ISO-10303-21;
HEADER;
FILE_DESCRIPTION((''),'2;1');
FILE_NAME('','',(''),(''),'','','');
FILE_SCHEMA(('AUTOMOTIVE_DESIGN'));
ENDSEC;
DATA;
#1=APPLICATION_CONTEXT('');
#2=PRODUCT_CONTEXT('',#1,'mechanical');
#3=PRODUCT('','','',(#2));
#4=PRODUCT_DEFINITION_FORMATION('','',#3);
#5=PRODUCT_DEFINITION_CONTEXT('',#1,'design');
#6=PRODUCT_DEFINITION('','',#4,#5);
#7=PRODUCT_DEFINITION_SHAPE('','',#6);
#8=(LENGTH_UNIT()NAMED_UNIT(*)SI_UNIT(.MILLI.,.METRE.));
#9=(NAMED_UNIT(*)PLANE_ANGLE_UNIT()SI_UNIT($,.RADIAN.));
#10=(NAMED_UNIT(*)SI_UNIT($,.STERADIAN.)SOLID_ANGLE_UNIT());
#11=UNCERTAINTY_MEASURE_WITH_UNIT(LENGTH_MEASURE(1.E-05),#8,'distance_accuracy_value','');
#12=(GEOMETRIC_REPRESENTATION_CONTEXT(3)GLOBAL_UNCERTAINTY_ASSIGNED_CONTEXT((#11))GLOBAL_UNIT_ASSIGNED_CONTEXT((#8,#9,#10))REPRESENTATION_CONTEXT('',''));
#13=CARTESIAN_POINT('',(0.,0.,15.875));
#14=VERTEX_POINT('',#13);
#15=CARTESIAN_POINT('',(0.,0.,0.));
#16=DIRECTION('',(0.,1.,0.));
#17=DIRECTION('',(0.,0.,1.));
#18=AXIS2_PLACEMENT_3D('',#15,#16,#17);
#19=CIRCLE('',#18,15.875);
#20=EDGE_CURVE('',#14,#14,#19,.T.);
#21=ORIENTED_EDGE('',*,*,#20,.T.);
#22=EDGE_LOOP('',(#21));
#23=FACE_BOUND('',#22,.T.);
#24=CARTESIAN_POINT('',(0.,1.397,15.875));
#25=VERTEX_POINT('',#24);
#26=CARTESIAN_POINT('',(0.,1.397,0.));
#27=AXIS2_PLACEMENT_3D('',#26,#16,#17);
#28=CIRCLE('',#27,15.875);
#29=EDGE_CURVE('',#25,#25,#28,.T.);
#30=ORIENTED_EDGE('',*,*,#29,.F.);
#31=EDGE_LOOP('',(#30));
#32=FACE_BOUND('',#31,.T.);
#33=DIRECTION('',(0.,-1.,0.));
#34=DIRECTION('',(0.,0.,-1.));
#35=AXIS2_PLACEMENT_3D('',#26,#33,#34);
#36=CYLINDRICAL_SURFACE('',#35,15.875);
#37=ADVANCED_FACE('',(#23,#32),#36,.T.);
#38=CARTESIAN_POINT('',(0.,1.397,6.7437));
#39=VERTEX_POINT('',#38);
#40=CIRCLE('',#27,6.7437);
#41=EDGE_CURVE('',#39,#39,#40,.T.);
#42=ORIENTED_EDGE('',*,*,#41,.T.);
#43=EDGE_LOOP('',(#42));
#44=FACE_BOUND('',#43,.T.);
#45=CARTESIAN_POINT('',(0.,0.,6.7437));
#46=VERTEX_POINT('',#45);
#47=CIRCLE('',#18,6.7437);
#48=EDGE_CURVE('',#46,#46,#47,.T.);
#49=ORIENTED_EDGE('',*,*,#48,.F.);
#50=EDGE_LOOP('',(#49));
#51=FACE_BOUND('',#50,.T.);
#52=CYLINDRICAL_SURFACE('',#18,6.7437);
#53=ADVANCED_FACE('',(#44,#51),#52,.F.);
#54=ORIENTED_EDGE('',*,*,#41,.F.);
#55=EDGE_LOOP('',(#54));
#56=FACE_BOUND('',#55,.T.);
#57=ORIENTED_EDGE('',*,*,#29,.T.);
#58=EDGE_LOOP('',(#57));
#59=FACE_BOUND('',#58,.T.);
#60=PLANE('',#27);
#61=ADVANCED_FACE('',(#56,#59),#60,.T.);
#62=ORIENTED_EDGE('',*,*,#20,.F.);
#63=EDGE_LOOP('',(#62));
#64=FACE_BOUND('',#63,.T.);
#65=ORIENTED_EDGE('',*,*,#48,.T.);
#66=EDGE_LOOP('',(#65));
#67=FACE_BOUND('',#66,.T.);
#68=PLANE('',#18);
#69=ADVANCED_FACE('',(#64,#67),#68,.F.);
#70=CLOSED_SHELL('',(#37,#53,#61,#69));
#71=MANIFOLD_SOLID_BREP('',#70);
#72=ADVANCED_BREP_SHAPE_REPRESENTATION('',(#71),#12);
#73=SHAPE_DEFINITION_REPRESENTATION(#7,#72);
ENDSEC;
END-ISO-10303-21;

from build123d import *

# Parameters (mm, degrees)
SKETCH1_R           = 15.875
BOSS_EXTRUDE1_DEPTH = 1.397
SKETCH5_R           = 6.7437
CUT_EXTRUDE1_DEPTH  = 2.397


with BuildPart() as part:
    # Sketch1 → Boss-Extrude1 (new body)
    with BuildSketch(Plane(origin=(0, 0, 0), x_dir=(1, 0, 0), z_dir=(0, 1, 0))):
        Circle(SKETCH1_R)
    extrude(amount=BOSS_EXTRUDE1_DEPTH)

    # Sketch5 → Cut-Extrude1 (cut, through all)
    with BuildSketch(Plane(origin=(0, 1.397, 0), x_dir=(-1, 0, 0), z_dir=(0, 1, 0))):
        Circle(SKETCH5_R)
    extrude(amount=-CUT_EXTRUDE1_DEPTH, mode=Mode.SUBTRACT)


solid = part.part
